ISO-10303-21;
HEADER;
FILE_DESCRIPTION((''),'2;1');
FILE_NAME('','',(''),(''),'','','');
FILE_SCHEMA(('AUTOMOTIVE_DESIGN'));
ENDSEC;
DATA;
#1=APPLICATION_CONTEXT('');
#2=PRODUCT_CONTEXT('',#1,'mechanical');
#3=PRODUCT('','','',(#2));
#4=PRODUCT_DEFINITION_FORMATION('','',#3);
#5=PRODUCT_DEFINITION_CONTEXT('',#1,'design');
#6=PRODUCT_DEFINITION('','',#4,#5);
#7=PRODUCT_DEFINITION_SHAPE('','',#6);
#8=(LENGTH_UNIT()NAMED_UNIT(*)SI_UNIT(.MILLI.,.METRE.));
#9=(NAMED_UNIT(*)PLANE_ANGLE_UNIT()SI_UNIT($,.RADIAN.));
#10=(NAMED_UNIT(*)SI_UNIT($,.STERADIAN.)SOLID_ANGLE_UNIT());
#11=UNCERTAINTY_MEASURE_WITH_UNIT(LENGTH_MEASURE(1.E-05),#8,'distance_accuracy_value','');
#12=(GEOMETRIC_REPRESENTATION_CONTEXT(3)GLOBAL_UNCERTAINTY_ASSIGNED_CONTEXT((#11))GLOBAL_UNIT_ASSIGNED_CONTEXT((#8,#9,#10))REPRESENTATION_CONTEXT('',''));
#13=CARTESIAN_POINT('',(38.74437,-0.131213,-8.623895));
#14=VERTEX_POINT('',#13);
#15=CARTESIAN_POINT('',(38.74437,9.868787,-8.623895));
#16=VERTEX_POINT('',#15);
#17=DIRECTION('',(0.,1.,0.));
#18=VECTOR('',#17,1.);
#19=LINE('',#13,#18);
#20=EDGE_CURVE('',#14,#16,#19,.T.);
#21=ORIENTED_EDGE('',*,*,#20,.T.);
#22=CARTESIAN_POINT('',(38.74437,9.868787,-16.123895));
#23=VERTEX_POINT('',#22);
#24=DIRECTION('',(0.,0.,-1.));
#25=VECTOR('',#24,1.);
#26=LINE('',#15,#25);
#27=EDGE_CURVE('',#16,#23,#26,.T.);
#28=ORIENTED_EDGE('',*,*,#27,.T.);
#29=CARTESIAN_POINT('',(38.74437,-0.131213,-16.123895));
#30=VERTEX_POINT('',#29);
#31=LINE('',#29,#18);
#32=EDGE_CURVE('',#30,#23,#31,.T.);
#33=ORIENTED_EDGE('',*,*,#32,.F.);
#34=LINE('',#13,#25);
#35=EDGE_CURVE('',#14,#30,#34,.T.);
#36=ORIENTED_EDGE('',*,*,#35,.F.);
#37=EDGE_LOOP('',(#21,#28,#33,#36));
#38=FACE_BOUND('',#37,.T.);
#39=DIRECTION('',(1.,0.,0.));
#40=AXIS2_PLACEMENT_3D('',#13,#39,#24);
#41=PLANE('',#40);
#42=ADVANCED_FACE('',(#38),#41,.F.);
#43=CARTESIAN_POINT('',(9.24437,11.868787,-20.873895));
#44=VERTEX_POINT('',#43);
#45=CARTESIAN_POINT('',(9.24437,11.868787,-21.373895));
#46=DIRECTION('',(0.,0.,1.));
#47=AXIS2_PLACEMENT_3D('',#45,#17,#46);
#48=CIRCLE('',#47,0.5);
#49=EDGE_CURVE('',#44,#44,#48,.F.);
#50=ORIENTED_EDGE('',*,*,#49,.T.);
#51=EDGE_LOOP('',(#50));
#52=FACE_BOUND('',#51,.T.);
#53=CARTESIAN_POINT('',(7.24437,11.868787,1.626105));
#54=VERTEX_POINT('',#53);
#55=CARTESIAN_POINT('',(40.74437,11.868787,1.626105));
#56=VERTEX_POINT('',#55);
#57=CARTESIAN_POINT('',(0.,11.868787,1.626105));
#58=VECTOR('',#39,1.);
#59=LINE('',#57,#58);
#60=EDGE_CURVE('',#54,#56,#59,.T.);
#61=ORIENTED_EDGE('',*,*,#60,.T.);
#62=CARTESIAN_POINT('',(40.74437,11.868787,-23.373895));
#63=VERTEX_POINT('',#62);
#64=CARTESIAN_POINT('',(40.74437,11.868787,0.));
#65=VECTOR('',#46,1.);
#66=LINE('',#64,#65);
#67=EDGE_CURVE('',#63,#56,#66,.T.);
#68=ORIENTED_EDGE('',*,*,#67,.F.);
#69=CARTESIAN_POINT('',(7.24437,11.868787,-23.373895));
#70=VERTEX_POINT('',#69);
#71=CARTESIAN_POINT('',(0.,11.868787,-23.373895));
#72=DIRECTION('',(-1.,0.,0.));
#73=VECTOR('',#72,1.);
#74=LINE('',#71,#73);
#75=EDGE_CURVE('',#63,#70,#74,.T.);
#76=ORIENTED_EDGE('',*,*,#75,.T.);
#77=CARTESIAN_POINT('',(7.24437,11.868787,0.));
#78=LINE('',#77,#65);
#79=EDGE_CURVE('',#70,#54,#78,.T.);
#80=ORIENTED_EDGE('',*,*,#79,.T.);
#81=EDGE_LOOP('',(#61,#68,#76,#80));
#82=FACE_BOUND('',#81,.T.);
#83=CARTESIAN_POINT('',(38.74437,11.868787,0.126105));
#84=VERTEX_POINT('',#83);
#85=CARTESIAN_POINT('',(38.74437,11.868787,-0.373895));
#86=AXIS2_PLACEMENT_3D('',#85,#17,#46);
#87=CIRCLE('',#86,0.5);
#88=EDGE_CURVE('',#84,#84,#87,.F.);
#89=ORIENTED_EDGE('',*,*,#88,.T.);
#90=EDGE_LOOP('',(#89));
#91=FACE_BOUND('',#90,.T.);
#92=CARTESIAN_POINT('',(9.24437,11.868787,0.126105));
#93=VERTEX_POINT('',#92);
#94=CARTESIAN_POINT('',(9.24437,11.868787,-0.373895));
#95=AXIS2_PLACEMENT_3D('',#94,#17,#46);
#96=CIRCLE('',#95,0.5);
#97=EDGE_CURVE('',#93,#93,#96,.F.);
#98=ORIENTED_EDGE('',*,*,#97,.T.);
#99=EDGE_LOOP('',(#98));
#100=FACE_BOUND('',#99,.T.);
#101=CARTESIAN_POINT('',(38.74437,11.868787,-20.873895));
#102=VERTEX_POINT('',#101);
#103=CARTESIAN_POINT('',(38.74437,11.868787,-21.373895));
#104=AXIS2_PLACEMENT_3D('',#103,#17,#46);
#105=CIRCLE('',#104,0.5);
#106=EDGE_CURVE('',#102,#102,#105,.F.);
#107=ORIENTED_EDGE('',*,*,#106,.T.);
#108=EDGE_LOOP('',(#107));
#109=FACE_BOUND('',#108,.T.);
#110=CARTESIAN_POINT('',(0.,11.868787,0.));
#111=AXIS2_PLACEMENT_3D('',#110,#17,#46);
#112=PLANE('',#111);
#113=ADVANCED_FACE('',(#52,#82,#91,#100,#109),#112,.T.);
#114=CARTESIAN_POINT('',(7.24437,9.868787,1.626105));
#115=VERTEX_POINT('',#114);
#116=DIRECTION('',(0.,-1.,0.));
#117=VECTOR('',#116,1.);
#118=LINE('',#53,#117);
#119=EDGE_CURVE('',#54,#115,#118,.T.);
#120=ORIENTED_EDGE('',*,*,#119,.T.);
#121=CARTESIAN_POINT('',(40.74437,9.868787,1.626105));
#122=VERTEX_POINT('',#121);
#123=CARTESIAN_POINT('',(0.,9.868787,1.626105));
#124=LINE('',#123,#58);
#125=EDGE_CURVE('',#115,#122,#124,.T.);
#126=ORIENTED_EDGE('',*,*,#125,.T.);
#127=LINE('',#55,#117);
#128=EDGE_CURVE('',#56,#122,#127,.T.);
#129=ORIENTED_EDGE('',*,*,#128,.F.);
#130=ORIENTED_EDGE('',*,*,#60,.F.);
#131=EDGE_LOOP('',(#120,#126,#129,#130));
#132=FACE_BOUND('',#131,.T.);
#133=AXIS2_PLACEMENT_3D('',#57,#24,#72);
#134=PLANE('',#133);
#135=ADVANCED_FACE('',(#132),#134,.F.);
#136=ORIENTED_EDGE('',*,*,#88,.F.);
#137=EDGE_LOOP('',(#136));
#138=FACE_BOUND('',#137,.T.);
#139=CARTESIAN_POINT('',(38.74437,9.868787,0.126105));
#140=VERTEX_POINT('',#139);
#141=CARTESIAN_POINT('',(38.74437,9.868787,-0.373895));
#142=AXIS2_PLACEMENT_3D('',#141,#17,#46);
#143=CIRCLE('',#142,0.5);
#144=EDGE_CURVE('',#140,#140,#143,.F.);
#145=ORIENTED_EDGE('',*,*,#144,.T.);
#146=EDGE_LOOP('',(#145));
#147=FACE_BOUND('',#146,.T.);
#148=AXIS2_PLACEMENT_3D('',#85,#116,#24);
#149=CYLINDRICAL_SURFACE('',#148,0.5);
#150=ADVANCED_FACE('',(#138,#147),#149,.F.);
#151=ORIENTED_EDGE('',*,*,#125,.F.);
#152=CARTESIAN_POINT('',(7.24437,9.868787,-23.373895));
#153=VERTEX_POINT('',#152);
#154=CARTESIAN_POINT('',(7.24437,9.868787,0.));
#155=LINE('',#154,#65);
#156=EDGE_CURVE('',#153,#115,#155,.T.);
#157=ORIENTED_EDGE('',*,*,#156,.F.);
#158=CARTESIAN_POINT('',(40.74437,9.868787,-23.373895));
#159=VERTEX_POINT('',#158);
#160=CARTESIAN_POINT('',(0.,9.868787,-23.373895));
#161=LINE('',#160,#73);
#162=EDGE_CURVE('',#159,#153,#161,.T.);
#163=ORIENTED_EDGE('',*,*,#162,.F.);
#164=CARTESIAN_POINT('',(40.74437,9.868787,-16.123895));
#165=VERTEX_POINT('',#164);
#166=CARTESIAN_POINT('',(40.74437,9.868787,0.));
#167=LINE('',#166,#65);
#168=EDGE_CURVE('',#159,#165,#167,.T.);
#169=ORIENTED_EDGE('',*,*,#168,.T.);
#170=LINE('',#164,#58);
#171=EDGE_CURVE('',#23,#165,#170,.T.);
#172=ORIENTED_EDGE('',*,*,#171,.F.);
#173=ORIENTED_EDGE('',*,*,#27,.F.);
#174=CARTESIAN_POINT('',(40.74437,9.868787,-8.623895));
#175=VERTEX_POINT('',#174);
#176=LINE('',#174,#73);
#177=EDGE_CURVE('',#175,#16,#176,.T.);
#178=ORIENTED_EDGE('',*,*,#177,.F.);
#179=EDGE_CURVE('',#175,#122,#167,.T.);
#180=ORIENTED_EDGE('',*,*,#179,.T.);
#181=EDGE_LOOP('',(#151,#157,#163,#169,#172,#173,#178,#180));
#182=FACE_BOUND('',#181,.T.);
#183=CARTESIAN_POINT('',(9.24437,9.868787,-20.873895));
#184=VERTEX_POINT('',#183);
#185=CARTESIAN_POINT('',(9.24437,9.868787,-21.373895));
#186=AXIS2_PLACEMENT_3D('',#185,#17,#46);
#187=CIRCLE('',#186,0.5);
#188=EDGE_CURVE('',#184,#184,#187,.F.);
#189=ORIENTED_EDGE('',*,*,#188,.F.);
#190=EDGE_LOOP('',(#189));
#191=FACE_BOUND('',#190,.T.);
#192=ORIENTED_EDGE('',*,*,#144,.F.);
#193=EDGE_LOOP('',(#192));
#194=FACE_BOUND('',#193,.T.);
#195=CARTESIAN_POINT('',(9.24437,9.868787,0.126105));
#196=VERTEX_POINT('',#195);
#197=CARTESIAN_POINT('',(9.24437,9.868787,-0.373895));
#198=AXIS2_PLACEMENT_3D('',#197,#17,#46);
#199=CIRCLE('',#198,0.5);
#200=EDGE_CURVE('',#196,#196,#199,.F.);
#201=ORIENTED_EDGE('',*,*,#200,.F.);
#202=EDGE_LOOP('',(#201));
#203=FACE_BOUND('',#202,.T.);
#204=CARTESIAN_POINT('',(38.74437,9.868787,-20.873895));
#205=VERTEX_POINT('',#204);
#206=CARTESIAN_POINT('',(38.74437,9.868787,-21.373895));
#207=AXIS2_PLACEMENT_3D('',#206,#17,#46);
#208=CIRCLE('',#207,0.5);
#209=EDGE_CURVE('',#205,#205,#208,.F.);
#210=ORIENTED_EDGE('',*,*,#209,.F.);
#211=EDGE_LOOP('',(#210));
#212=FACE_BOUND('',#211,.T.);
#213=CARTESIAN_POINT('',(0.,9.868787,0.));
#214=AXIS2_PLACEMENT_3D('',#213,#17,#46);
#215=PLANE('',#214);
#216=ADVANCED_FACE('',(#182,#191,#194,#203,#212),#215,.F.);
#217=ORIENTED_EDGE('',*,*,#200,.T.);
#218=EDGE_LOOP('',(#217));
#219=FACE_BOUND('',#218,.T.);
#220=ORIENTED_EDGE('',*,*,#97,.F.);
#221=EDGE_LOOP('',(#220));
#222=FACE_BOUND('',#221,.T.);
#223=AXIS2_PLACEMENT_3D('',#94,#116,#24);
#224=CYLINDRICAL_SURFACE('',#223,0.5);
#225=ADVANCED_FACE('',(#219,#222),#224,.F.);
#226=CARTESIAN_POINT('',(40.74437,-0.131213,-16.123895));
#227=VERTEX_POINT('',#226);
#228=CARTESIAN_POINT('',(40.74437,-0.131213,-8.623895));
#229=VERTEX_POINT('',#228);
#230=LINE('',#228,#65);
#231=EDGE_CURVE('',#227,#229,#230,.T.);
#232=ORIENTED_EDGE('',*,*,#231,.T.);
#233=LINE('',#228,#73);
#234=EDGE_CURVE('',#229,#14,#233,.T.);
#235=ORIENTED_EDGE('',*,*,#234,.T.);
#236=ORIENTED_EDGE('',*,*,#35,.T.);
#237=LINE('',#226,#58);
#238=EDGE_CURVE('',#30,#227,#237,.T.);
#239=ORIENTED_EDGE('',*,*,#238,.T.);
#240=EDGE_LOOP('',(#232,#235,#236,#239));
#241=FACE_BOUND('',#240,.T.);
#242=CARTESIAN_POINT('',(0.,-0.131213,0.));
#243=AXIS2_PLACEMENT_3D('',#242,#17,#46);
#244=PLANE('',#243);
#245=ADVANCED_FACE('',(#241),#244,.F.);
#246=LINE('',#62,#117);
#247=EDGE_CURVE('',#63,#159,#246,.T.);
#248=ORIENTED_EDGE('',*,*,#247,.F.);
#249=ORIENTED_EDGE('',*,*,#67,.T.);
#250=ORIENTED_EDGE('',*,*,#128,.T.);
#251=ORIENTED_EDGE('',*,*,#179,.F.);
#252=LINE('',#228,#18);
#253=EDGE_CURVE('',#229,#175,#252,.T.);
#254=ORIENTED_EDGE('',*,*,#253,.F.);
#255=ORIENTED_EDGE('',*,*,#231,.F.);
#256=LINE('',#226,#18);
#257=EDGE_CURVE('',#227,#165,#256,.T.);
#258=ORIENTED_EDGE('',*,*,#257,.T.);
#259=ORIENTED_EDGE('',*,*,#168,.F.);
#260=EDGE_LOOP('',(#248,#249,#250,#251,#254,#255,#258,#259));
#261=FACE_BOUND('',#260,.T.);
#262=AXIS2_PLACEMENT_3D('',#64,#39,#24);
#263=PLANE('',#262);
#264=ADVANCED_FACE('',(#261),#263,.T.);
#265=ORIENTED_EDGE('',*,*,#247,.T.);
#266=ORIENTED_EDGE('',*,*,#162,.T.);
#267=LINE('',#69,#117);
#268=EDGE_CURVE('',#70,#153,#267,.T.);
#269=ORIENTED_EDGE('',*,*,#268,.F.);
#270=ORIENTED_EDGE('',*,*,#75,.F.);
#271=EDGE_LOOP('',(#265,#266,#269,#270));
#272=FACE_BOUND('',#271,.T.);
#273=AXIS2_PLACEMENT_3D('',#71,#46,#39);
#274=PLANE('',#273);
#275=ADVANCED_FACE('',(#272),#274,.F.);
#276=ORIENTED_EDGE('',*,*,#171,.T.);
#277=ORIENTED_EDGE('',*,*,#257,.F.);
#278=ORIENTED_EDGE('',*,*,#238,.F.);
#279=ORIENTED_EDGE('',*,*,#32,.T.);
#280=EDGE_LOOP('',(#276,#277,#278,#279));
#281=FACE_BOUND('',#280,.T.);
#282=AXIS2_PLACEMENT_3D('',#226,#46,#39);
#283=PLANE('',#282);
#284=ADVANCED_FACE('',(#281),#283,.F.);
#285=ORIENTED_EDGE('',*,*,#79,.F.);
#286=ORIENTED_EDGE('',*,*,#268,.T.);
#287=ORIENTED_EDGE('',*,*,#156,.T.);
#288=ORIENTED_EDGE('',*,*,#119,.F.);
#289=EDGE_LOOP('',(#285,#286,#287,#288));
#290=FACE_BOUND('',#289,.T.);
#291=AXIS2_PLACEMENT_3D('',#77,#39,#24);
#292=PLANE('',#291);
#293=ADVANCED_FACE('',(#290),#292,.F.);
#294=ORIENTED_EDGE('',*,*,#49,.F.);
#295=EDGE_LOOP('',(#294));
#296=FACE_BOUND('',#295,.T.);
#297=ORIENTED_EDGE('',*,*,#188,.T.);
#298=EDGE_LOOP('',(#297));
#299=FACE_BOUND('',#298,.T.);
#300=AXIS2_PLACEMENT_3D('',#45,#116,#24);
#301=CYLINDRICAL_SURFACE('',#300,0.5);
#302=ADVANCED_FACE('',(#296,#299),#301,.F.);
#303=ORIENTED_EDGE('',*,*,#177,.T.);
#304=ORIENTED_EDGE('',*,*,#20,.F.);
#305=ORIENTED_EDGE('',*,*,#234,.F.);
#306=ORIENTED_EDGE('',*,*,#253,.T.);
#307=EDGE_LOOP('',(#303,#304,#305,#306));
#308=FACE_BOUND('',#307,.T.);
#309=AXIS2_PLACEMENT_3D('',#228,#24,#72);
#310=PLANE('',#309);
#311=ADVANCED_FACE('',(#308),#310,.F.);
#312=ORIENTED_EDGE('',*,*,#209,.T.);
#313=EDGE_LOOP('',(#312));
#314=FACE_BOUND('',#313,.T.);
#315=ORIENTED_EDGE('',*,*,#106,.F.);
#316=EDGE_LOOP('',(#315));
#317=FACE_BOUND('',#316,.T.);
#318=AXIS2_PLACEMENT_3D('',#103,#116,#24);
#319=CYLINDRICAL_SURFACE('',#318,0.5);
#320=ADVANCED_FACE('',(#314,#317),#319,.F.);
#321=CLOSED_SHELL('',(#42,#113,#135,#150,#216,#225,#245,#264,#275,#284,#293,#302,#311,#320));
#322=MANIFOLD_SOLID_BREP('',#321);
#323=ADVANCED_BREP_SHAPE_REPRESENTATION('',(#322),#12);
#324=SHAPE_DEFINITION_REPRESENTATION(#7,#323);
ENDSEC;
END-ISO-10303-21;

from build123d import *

# Parameters (mm, degrees)
SKETCH1_R           = 0.5
BOSS_EXTRUDE1_DEPTH = 2
SKETCH2_W           = 2
SKETCH2_H           = 7.5
BOSS_EXTRUDE2_DEPTH = 10


with BuildPart() as part:
    # Sketch1 → Boss-Extrude1 (new body)
    # profile 1 of 2: a face of its own
    with BuildSketch(Plane(origin=(0, 9.868787402, 0), x_dir=(1, 0, 0), z_dir=(0, 1, 0))):
        Polygon((40.744370356, 16.373895208), (40.744370356, 8.373895208), (38.744370356, 8.373895208), (38.744370356, 2.373895208), (36.744370356, 2.373895208), (36.744370356, 0.373895208), (11.244370356, 0.373895208), (11.244370356, 2.373895208), (9.244370356, 2.373895208), (9.244370356, 19.373895208), (11.244370356, 19.373895208), (11.244370356, 21.373895208), (36.744370356, 21.373895208), (36.744370356, 19.373895208), (38.744370356, 19.373895208), (38.744370356, 16.373895208), align=None)
    # profile 2 of 2: a face of its own
    with BuildSketch(Plane(origin=(0, 9.868787402, 0), x_dir=(1, 0, 0), z_dir=(0, 1, 0))):
        Polygon((40.744370356, 8.373895208), (38.744370356, 8.373895208), (38.744370356, 2.373895208), (36.744370356, 2.373895208), (36.744370356, 0.373895208), (11.244370356, 0.373895208), (11.244370356, 2.373895208), (9.244370356, 2.373895208), (9.244370356, 19.373895208), (11.244370356, 19.373895208), (11.244370356, 21.373895208), (36.744370356, 21.373895208), (36.744370356, 19.373895208), (38.744370356, 19.373895208), (38.744370356, 16.373895208), (40.744370356, 16.373895208), (40.744370356, 23.373895208), (7.244370356, 23.373895208), (7.244370356, -1.626104792), (40.744370356, -1.626104792), align=None)
        with Locations(Location((9.244370356, 21.373895208, 0), (0, 0, 270))):
            Circle(SKETCH1_R, mode=Mode.SUBTRACT)
        with Locations(Location((38.744370356, 0.373895208, 0), (0, 0, 270))):
            Circle(SKETCH1_R, mode=Mode.SUBTRACT)
        with Locations(Location((38.744370356, 21.373895208, 0), (0, 0, 270))):
            Circle(SKETCH1_R, mode=Mode.SUBTRACT)
        with Locations(Location((9.244370356, 0.373895208, 0), (0, 0, 270))):
            Circle(SKETCH1_R, mode=Mode.SUBTRACT)
    extrude(amount=BOSS_EXTRUDE1_DEPTH)

    # Sketch2 → Boss-Extrude2 (add)
    with BuildSketch(Plane.XZ.offset(-9.868787402)):
        with Locations((39.744370356, -12.373895208)):
            Rectangle(SKETCH2_W, SKETCH2_H)
    extrude(amount=BOSS_EXTRUDE2_DEPTH)


solid = part.part
